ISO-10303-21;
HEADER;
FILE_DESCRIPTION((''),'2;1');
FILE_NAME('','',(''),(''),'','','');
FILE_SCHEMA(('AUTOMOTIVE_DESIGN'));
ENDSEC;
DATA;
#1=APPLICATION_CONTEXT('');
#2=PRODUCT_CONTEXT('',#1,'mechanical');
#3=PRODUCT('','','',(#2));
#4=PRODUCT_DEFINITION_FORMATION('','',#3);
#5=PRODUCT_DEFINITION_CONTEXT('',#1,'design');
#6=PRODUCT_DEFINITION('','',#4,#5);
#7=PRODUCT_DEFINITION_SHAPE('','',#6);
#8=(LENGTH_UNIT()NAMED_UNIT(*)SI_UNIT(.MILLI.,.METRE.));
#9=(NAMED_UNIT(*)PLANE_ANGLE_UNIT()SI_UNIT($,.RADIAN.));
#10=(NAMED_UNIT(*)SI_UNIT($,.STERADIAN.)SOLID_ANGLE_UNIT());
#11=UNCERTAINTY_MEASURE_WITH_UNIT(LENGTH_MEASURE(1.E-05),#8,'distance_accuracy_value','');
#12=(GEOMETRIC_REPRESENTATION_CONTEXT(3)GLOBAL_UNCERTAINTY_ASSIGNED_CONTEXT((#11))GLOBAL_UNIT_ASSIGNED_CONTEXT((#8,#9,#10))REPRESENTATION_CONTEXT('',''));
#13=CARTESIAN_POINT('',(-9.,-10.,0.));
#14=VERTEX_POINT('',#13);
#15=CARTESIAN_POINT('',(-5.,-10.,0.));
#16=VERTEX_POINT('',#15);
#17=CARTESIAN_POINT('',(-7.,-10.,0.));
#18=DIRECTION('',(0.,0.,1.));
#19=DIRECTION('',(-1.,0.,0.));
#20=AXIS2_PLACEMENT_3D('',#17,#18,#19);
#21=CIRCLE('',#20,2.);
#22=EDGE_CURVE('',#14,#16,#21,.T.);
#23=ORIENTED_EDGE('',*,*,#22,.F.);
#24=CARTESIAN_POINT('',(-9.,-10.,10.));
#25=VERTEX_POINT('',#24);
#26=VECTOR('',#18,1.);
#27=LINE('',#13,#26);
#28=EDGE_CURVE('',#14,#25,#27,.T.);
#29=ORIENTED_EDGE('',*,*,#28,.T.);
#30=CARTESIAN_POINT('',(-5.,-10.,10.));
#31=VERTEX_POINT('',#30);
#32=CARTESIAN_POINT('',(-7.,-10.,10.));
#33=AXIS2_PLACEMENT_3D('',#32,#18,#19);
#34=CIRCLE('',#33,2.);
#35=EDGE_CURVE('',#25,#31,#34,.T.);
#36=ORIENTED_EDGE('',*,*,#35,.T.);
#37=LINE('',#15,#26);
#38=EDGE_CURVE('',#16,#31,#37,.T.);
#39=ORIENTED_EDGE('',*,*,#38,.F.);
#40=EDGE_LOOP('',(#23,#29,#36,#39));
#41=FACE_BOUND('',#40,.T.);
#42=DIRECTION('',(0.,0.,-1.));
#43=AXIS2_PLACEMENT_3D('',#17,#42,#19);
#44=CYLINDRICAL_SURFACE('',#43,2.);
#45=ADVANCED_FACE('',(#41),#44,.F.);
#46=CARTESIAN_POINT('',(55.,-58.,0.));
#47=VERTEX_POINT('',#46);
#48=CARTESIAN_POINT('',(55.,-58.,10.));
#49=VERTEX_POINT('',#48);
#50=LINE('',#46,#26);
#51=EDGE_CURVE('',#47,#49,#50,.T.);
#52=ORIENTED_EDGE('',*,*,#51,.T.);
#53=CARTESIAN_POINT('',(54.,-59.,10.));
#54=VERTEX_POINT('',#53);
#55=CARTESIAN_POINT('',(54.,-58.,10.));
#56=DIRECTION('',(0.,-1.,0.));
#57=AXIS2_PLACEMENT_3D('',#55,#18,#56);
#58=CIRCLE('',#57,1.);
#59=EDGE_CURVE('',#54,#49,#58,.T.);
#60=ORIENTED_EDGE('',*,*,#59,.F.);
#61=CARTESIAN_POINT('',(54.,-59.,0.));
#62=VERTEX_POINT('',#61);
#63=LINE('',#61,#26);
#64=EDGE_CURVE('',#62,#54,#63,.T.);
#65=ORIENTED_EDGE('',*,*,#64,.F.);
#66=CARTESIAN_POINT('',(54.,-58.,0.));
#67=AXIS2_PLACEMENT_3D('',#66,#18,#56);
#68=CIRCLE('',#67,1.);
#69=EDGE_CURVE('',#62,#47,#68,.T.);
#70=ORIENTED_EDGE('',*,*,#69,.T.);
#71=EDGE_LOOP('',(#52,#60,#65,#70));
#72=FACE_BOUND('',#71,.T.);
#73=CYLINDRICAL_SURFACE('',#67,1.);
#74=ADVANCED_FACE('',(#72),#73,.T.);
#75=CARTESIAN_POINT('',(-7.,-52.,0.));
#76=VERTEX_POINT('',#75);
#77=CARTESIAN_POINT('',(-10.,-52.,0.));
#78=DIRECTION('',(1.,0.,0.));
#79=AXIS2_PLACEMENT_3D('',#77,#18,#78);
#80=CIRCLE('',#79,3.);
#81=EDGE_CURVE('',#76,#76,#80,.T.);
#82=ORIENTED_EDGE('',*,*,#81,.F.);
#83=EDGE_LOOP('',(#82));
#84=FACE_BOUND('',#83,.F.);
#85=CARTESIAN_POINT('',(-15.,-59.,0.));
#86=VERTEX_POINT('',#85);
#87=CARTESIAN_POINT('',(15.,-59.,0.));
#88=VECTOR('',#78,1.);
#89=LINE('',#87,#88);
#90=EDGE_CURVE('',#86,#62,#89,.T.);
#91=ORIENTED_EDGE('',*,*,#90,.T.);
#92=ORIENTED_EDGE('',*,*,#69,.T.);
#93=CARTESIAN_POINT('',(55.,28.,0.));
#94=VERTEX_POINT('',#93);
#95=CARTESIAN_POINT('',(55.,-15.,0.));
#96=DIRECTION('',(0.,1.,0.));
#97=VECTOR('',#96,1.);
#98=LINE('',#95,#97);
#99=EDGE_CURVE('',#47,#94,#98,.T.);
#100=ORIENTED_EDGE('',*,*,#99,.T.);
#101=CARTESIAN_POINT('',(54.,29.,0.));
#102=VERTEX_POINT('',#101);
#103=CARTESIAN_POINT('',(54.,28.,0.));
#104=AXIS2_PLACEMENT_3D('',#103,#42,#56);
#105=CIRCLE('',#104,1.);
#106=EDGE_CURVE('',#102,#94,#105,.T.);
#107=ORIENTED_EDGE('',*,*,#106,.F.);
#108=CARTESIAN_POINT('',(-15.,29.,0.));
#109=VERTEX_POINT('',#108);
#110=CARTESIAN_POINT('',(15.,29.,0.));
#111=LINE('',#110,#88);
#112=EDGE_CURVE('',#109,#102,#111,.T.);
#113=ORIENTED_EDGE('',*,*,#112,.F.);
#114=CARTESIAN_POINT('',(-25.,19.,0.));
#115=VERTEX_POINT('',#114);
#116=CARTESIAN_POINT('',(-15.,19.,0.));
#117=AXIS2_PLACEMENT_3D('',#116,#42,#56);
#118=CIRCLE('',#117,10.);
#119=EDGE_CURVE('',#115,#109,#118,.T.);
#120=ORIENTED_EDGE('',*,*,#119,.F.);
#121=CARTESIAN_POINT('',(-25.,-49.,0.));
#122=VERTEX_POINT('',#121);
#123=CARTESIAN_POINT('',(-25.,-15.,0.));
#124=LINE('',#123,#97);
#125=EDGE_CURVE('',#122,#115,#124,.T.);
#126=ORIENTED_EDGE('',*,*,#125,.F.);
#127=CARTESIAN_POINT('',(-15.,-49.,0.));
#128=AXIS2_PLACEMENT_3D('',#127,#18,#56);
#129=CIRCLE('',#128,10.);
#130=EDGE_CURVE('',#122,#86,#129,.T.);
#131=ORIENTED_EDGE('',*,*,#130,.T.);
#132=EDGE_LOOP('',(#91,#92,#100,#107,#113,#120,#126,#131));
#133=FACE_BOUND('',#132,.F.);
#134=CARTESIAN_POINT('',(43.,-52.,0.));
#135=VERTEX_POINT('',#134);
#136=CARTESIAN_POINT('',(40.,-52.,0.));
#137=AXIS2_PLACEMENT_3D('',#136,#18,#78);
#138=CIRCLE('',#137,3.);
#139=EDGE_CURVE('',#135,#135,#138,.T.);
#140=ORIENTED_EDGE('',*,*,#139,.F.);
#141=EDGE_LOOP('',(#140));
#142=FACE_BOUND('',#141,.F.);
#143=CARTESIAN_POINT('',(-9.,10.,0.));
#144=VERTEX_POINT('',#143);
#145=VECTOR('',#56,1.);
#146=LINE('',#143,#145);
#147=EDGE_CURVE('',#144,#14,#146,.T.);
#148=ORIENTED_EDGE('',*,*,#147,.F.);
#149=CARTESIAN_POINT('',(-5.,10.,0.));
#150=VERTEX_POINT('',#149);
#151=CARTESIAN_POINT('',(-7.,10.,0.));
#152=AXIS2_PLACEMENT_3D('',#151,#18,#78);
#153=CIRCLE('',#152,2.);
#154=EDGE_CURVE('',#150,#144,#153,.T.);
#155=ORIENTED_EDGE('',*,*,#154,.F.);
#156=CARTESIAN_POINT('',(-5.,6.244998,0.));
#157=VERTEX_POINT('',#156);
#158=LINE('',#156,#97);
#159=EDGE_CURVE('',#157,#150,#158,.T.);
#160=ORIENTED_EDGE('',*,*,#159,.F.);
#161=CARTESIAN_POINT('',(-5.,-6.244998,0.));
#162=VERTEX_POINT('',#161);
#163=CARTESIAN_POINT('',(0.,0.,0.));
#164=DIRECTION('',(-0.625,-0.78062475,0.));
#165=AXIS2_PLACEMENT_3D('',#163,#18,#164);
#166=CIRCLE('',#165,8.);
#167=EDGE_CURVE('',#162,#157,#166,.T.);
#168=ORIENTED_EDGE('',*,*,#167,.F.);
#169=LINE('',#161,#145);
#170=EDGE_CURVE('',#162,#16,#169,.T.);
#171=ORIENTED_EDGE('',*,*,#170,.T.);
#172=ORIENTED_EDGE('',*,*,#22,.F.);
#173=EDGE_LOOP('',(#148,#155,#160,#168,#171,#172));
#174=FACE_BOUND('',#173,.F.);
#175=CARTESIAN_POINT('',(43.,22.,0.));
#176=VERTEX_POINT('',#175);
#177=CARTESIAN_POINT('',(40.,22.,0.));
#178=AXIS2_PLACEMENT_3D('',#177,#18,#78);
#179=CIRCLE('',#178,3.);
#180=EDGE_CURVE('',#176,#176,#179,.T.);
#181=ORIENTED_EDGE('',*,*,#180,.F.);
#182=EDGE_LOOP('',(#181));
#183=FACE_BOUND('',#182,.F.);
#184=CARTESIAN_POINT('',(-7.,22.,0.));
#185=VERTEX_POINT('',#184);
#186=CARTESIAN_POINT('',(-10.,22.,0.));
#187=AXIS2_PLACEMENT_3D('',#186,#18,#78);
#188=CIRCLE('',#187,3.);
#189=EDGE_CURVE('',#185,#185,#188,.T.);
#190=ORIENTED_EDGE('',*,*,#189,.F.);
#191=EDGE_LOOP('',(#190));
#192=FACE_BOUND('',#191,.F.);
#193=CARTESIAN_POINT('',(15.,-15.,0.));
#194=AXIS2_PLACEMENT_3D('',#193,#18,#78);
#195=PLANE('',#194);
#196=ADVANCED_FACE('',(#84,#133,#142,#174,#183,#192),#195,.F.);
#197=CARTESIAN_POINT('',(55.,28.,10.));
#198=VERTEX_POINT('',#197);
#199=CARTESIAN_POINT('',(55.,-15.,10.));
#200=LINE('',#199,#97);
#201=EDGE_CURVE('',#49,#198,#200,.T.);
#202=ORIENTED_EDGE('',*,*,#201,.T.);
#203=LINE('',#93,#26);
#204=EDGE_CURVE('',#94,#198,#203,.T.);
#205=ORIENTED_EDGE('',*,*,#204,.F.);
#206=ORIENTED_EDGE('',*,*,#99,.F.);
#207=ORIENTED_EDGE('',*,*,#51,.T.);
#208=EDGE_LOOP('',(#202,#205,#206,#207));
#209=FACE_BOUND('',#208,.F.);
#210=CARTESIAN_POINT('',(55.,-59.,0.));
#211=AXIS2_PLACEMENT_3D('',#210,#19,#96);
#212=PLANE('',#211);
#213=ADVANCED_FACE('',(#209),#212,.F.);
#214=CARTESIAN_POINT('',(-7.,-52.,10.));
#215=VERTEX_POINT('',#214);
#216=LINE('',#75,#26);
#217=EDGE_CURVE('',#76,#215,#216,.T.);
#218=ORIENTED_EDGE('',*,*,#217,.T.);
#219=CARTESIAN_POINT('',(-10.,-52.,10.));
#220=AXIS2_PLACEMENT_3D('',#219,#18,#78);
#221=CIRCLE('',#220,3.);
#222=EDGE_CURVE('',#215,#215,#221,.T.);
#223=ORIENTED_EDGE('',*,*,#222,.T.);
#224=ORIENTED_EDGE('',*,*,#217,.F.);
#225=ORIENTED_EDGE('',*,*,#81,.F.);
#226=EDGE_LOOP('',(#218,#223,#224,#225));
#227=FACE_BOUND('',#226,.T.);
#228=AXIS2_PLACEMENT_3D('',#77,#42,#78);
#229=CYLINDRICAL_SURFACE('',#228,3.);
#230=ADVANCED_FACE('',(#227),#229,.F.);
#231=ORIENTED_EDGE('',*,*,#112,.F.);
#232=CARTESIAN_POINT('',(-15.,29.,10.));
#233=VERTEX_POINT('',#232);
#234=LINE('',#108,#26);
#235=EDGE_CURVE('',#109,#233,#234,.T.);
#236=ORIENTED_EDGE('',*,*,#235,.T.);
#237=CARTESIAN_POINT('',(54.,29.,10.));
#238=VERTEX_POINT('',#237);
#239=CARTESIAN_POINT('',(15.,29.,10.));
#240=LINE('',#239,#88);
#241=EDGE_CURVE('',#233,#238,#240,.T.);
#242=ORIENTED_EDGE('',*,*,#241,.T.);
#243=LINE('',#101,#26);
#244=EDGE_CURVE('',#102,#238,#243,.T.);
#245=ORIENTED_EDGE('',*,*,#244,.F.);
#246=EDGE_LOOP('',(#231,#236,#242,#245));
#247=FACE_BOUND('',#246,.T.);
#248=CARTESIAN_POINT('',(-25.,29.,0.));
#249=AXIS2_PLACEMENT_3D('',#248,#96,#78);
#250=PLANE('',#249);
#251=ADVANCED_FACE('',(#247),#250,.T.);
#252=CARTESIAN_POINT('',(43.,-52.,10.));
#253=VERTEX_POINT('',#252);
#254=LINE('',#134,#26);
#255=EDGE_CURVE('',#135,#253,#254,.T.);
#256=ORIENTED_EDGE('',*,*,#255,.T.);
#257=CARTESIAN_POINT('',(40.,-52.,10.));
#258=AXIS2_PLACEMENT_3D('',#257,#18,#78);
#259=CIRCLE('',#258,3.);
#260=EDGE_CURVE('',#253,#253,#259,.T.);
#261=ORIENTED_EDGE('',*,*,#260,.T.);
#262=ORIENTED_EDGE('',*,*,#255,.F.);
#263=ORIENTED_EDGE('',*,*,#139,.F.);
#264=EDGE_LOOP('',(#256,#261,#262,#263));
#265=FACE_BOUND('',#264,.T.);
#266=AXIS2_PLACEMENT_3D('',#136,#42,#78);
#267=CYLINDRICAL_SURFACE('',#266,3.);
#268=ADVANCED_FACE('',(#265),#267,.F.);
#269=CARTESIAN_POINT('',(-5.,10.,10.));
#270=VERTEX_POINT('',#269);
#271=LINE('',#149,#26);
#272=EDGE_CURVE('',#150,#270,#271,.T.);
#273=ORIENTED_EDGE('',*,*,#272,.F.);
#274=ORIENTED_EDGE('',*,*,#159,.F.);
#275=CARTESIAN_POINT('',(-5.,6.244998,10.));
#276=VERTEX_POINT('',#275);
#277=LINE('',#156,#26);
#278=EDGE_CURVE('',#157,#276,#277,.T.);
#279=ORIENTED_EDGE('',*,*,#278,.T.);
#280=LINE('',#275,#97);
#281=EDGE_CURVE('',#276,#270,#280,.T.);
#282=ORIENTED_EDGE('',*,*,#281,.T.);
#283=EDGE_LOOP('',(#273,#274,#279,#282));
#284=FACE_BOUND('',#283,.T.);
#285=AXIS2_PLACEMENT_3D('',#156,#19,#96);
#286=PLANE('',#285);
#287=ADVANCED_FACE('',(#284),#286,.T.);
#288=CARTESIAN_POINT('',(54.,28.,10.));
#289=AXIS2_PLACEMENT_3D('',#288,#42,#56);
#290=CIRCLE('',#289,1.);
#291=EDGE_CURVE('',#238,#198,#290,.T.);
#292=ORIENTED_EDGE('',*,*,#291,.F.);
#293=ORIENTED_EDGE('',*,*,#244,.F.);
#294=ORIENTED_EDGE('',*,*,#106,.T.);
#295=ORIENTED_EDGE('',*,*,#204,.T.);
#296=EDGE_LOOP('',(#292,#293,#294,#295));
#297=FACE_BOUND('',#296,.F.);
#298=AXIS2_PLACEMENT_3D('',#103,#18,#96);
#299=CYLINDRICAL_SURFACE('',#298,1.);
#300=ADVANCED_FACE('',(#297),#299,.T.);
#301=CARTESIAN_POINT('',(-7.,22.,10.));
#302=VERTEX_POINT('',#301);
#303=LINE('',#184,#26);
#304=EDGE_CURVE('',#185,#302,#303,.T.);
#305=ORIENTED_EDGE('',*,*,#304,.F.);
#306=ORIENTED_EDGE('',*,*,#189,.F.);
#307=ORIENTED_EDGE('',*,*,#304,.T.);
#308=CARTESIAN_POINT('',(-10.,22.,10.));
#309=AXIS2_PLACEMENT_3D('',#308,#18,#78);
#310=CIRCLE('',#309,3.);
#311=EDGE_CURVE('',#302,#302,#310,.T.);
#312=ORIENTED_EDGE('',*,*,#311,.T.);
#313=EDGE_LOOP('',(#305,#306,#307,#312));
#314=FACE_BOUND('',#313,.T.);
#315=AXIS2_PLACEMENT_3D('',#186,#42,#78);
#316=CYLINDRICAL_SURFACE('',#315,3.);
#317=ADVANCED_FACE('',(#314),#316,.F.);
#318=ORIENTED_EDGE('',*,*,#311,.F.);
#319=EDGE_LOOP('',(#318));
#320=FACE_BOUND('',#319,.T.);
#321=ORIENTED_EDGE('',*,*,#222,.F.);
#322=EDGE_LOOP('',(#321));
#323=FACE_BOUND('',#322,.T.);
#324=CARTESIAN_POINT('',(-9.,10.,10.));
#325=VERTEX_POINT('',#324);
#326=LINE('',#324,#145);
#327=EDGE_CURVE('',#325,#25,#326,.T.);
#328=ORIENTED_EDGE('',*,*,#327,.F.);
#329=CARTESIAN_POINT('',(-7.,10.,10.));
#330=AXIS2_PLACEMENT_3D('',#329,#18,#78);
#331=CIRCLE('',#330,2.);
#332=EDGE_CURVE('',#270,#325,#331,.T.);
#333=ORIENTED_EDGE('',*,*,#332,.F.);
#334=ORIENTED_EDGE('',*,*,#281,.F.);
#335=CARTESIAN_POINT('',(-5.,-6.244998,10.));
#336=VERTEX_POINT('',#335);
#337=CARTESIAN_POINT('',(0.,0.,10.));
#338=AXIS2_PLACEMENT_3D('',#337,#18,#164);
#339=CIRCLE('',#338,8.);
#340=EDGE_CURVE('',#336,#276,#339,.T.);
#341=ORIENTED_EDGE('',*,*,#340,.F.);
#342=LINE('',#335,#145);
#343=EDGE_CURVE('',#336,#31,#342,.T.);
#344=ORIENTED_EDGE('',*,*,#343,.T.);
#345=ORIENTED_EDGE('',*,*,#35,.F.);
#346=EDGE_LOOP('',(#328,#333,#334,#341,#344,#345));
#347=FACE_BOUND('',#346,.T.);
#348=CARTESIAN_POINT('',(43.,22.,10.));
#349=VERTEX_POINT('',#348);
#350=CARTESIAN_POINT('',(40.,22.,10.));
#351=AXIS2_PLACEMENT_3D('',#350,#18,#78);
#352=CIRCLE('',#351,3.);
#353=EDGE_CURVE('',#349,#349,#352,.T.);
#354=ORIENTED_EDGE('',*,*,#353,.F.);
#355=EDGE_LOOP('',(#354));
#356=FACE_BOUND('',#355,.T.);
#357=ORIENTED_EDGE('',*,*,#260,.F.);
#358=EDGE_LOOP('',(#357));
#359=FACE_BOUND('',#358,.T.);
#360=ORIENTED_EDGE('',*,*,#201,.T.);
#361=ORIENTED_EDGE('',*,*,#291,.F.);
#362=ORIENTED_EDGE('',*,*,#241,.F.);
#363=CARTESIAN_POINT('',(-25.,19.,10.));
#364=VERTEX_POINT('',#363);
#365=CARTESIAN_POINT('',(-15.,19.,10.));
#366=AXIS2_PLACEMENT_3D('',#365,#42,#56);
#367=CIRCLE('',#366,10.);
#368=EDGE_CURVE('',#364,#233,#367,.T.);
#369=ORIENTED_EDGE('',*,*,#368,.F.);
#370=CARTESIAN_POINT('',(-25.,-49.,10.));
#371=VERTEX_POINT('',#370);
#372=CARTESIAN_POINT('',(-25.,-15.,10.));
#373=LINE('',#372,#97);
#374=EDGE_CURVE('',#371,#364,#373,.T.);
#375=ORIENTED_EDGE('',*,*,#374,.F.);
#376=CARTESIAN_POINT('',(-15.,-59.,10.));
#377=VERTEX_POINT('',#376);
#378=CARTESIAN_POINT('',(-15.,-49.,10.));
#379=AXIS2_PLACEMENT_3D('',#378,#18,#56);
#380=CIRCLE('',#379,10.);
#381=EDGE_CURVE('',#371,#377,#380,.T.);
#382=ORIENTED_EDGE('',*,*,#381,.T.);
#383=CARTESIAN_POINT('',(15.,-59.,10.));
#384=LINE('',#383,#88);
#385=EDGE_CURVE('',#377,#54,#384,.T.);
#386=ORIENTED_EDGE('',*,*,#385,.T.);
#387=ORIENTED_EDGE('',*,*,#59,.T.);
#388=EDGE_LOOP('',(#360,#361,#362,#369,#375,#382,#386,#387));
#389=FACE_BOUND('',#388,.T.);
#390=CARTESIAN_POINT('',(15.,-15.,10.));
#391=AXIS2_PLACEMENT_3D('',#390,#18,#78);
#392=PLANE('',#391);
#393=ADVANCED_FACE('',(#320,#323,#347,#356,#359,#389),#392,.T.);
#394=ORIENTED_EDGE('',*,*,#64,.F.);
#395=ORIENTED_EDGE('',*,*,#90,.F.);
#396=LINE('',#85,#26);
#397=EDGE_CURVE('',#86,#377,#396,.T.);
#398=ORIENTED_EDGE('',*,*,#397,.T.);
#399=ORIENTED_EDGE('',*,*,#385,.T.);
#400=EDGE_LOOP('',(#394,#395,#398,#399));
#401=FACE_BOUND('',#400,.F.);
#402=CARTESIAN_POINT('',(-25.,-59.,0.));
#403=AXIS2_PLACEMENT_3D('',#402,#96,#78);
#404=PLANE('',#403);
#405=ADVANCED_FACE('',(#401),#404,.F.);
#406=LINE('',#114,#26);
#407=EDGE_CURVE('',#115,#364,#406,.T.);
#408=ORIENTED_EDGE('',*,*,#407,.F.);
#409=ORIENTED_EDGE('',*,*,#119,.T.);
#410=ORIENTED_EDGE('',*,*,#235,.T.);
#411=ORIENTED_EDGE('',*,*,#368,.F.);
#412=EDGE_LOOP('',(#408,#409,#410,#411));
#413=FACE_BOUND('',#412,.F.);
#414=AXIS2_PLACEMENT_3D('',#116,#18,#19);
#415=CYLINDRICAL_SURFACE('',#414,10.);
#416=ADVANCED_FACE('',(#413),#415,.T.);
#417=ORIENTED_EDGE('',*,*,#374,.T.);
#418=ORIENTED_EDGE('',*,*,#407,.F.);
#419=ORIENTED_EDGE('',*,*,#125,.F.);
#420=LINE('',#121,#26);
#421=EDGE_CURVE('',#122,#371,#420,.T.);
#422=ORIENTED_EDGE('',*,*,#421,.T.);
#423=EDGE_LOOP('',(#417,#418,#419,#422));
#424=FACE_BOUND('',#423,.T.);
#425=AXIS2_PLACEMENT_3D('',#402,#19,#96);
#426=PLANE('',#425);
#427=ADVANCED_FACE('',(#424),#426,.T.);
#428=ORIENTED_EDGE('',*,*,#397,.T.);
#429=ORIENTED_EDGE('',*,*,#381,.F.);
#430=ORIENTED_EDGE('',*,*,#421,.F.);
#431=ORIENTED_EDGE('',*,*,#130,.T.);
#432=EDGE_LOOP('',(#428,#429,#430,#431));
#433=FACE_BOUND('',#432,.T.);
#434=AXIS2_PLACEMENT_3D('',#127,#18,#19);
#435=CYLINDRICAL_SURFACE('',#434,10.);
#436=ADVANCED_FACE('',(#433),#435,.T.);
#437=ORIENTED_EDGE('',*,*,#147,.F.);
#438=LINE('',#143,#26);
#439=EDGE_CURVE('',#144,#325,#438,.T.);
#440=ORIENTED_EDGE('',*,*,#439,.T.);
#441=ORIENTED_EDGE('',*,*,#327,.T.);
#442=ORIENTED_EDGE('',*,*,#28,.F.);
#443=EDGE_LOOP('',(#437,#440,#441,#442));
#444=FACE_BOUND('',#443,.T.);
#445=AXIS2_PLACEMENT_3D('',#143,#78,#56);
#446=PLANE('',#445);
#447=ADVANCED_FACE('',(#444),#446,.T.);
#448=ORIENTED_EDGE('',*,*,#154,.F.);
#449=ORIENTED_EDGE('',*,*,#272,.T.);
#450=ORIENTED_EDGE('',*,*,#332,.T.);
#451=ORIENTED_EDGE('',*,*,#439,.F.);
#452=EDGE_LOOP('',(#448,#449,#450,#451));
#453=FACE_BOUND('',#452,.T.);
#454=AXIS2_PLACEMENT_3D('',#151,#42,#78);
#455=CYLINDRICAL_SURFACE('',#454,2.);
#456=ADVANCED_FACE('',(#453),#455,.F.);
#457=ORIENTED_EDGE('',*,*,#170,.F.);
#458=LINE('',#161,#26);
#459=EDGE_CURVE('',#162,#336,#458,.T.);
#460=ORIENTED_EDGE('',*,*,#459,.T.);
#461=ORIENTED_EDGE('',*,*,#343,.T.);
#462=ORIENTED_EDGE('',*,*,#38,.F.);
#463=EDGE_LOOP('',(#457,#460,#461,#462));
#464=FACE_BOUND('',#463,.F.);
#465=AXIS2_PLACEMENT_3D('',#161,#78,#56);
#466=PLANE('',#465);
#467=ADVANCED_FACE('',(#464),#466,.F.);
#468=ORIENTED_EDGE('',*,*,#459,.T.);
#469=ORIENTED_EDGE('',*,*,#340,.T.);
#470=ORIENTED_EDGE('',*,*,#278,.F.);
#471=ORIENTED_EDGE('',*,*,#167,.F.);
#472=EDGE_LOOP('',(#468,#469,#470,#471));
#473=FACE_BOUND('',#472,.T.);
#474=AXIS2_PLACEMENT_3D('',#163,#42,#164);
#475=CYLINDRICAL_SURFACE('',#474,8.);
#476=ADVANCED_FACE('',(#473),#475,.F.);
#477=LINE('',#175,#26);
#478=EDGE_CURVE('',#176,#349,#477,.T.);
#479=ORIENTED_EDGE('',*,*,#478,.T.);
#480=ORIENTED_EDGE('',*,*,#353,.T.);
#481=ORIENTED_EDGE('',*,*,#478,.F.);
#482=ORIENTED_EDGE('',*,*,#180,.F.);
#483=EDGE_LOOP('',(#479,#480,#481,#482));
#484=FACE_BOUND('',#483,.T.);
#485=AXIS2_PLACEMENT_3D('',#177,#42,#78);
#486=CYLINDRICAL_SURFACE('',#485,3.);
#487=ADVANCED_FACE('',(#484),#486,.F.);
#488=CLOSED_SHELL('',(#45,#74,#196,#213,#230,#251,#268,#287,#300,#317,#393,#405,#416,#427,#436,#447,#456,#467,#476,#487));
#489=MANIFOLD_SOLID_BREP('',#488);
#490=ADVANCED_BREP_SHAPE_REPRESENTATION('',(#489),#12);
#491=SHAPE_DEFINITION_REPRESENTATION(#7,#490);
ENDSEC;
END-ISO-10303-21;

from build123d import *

# Parameters (mm, degrees)
SKETCH_W    = 80
SKETCH_H    = 88
SKETCH_R    = 3
PAD_DEPTH   = 10
FILLET_R    = 10
FILLET001_R = 1


with BuildPart() as part:
    # Sketch → Pad (new body)
    with BuildSketch(Plane.XY):
        with Locations((15, -15)):
            Rectangle(SKETCH_W, SKETCH_H)
        with Locations((-10, -52)):
            Circle(SKETCH_R, mode=Mode.SUBTRACT)
        with Locations((40, -52)):
            Circle(SKETCH_R, mode=Mode.SUBTRACT)
        with Locations((40, 22)):
            Circle(SKETCH_R, mode=Mode.SUBTRACT)
        with Locations((-10, 22)):
            Circle(SKETCH_R, mode=Mode.SUBTRACT)
        with BuildLine():
            ThreePointArc((-5, -6.244998), (8, 0), (-5, 6.244998))
            Line((-5, 6.244998), (-5, 10))
            ThreePointArc((-5, 10), (-7, 12), (-9, 10))
            Line((-9, 10), (-9, -10))
            ThreePointArc((-9, -10), (-7, -12), (-5, -10))
            Line((-5, -6.244998), (-5, -10))
        make_face(mode=Mode.SUBTRACT)
    extrude(amount=PAD_DEPTH)

    # Fillet
    fillet_edges = [part.edges().sort_by_distance(p)[0] for p in [
        (-25, -59, 5),
        (-25, 29, 5),
    ]]
    fillet(fillet_edges, radius=FILLET_R)

    # Fillet001
    fillet001_edges = [part.edges().sort_by_distance(p)[0] for p in [
        (55, -59, 5),
        (55, 29, 5),
    ]]
    fillet(fillet001_edges, radius=FILLET001_R)


solid = part.part
